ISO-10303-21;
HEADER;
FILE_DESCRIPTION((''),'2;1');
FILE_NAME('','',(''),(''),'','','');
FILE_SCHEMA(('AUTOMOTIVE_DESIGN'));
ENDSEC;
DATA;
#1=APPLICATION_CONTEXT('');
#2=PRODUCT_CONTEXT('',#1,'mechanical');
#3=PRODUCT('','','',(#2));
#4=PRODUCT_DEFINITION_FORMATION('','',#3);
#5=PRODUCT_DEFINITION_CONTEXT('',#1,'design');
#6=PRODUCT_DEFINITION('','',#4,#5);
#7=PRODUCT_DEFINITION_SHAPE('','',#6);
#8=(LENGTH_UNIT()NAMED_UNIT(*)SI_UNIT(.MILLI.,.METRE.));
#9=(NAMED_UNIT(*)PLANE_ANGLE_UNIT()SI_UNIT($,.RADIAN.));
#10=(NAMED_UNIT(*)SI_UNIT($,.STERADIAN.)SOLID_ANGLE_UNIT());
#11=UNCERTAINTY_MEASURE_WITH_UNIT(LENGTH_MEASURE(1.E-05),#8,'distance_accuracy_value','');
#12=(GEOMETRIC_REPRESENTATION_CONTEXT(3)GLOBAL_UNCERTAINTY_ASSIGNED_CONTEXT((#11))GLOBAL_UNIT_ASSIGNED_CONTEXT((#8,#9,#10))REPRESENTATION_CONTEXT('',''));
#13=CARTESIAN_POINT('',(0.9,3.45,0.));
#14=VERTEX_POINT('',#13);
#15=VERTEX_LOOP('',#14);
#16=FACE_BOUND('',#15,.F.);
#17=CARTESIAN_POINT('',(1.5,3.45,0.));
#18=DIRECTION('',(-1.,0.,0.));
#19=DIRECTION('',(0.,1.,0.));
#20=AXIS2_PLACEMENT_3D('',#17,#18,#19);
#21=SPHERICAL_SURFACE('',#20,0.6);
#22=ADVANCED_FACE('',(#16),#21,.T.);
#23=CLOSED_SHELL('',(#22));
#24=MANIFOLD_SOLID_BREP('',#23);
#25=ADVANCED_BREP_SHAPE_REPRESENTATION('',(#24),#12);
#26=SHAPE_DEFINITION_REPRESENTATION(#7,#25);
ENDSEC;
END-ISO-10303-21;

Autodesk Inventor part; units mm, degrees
sketch "Sketch_6" plane through (0, 0, 0) normal (0, 0, 1) x (1, 0, 0)
  line L0 (2.1, 3.45) -> (0.9, 3.45)
  arc A0 (2.1, 3.45) -> (0.9, 3.45) centre (1.5, 3.45) ccw
  line L1 (2.1, 3.45) -> (0.9, 3.45)
revolve "Revolution1" add sketch "Sketch_6" angle 360 about axis through (2.1, 3.45, 0) along (1, 0, 0)
ref_plane "ball1_XY" through (1.5, 3.45, 0) normal (1, 0, 0) x (0, 0, -1)
ref_plane "ball1_YZ" through (1.5, 3.45, 0) normal (0, 0, -1) x (0, 1, 0)
ref_plane "ball1_ZX" through (1.5, 3.45, 0) normal (0, 1, 0) x (1, 0, 0)
properties part number "SKF_WBB1-8705_ball1"
